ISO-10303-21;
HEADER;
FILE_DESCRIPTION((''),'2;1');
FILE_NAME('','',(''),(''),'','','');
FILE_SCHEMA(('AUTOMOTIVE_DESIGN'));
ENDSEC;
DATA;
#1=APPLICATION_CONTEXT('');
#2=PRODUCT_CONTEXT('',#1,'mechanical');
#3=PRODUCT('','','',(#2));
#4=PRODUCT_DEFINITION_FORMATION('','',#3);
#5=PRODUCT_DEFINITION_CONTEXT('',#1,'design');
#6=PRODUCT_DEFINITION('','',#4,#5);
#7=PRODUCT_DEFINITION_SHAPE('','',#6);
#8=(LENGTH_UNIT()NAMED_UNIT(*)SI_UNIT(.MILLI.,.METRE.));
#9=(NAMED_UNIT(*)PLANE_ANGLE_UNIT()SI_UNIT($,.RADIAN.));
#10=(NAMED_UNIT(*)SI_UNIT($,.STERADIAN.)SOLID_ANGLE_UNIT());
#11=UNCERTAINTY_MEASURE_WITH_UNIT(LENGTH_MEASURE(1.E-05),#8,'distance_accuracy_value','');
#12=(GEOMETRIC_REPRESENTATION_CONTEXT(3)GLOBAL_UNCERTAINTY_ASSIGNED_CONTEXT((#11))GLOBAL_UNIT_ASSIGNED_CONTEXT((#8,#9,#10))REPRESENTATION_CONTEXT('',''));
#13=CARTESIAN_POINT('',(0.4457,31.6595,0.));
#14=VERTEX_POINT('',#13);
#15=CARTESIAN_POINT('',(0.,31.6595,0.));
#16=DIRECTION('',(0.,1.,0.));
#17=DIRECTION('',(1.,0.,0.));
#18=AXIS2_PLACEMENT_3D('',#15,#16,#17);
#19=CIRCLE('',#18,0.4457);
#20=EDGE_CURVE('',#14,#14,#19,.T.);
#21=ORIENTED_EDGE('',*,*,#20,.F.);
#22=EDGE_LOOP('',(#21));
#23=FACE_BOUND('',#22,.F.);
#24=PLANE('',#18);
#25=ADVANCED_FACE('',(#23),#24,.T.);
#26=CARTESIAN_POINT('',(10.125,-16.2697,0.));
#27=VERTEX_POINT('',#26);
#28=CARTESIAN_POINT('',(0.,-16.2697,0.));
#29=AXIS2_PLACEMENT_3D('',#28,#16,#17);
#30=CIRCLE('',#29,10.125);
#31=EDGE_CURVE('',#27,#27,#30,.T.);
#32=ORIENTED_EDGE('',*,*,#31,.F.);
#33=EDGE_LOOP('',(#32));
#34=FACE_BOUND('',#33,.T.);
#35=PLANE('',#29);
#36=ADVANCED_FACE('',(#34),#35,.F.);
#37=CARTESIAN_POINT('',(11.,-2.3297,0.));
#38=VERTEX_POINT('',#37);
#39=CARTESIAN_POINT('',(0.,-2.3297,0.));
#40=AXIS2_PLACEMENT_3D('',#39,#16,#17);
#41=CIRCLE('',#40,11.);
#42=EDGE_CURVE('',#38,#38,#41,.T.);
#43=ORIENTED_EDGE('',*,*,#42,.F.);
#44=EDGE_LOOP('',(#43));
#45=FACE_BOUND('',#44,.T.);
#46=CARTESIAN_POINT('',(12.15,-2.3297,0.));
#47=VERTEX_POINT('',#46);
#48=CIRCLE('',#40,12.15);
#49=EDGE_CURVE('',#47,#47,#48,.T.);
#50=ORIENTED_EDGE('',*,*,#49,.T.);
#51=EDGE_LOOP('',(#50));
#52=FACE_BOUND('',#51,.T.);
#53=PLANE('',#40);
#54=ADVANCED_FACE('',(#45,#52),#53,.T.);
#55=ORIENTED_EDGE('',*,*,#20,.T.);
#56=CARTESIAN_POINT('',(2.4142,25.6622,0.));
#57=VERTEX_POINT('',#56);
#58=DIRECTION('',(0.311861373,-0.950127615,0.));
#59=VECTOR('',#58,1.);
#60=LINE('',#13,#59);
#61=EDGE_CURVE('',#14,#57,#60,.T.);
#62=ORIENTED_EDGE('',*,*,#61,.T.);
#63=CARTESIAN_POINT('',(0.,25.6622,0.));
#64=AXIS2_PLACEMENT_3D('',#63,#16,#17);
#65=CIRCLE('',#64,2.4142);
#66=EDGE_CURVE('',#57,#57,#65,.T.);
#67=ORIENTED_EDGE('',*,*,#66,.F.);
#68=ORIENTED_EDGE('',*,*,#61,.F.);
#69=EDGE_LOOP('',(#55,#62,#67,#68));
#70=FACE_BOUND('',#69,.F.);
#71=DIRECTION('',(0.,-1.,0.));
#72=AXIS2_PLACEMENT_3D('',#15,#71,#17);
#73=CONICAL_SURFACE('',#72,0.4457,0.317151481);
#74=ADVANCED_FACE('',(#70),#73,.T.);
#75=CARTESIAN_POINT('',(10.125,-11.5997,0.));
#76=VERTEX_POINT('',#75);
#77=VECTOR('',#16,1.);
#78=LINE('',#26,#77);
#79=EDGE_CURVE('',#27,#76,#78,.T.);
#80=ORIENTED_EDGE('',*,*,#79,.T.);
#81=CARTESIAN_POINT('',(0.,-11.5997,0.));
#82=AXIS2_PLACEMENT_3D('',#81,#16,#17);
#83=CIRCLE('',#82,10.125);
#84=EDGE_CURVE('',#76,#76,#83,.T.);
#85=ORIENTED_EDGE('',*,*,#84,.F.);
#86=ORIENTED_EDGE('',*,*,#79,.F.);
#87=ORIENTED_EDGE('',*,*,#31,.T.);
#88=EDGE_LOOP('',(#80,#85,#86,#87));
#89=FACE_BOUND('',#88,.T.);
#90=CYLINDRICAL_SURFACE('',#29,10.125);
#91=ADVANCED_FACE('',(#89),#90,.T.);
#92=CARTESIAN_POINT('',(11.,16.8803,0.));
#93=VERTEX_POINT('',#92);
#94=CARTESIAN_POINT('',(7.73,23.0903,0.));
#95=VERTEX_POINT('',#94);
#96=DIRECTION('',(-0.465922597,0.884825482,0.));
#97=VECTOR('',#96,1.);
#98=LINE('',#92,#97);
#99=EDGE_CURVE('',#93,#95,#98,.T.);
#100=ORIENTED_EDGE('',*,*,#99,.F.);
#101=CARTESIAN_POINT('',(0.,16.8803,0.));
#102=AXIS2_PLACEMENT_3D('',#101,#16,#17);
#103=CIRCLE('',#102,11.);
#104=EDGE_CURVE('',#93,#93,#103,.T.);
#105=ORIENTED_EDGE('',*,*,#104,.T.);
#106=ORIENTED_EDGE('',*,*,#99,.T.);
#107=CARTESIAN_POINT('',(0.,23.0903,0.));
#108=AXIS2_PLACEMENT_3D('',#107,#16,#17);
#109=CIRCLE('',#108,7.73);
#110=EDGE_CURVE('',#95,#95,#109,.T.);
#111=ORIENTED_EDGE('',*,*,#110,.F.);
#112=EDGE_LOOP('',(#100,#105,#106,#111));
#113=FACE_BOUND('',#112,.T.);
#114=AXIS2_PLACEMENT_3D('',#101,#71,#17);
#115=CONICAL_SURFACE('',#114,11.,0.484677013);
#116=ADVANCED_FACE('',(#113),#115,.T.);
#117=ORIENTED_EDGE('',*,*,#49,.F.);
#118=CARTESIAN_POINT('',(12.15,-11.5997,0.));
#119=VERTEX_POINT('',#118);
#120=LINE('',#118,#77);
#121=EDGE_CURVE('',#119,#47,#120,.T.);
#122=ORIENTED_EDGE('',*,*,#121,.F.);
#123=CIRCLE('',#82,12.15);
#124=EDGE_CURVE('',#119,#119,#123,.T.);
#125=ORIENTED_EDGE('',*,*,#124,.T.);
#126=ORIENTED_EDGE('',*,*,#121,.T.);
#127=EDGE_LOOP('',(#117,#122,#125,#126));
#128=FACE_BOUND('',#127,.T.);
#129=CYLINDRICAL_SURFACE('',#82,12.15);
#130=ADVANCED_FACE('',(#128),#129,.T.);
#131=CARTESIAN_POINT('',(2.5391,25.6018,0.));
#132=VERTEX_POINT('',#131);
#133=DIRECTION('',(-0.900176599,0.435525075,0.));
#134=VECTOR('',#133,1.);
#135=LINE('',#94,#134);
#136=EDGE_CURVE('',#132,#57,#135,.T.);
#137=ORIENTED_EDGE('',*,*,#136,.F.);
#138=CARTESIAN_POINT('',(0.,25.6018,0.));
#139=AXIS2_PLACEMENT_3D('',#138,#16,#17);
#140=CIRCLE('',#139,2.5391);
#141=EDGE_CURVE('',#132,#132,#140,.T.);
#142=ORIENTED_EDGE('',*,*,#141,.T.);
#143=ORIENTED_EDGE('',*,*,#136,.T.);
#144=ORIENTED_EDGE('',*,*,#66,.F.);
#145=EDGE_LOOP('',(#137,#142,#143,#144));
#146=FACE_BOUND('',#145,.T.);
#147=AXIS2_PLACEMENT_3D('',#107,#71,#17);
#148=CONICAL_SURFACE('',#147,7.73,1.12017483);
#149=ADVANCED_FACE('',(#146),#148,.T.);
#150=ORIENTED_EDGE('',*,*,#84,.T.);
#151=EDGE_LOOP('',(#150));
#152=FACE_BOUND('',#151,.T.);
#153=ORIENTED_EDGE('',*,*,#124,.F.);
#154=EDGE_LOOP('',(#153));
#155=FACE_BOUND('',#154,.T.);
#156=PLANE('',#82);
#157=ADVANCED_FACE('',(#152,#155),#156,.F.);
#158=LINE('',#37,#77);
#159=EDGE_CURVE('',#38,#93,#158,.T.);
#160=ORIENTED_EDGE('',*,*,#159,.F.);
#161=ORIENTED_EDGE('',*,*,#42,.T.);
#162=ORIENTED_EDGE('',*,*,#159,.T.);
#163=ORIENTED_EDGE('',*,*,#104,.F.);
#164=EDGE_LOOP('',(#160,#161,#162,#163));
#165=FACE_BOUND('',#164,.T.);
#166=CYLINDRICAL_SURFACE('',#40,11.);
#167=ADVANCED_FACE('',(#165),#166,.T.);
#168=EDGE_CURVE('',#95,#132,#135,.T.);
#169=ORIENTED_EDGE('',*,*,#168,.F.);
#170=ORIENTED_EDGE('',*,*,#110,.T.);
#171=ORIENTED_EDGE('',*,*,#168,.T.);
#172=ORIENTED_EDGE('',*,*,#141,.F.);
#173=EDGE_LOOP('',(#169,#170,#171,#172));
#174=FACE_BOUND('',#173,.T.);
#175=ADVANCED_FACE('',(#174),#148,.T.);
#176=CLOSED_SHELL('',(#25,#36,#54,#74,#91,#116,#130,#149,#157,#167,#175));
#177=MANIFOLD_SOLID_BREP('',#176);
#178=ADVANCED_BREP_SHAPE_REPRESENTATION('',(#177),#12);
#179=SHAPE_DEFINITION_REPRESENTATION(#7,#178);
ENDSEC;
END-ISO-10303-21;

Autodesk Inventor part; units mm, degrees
ref_plane "XY Plane" through (0, 0, 0) normal (0, 0, 1) x (1, 0, 0)
sketch "Sketch1" plane through (0, 0, 0) normal (0, 0, 1) x (1, 0, 0)
  line L0 (0, -16.2697) -> (0, 26.8303)
  line L1 (0, -16.2697) -> (10.125, -16.2697)
  line L2 (10.125, -16.2697) -> (10.125, -11.5997)
  line L3 (10.125, -11.5997) -> (12.15, -11.5997)
  line L4 (12.15, -11.5997) -> (12.15, -2.3297)
  line L5 (7.73, 23.0903) -> (2.4142, 25.6622)
  line L6 (2.5391, 25.6018) -> (2.4142, 25.6622)
  line L7 (0, 31.6595) -> (0, 26.8303)
  line L8 (0, 31.6595) -> (0.4457, 31.6595)
  line L9 (0.4457, 31.6595) -> (2.4142, 25.6622)
  line L10 (12.15, -2.3297) -> (11, -2.3297)
  line L11 (11, -2.3297) -> (11, 16.8803)
  line L12 (11, 16.8803) -> (7.73, 23.0903)
  point P0 (0, 0)
  point P1 (10.125, -2.3297)
  dimension "d0" = 43.1
  dimension "d1" = 10.125
  dimension "d2" = 4.67
  dimension "d3" = 2.025
  dimension "d4" = 90
  dimension "d5" = 9.27
  dimension "d7" = 7.73
  dimension "d8" = 39.36
  dimension "d10" = 19.21
  dimension "d11" = 11
revolve "Revolution1" add sketch "Sketch1" angle 360 about axis through (0, -16.2697, 0) along (0, 1, 0)
ref_plane "Work Plane1" through (0, 0, 0) normal (0.7071, -0.7071, 0) x (0, 0, -1)
properties part number "00_objectivelens_10x"
